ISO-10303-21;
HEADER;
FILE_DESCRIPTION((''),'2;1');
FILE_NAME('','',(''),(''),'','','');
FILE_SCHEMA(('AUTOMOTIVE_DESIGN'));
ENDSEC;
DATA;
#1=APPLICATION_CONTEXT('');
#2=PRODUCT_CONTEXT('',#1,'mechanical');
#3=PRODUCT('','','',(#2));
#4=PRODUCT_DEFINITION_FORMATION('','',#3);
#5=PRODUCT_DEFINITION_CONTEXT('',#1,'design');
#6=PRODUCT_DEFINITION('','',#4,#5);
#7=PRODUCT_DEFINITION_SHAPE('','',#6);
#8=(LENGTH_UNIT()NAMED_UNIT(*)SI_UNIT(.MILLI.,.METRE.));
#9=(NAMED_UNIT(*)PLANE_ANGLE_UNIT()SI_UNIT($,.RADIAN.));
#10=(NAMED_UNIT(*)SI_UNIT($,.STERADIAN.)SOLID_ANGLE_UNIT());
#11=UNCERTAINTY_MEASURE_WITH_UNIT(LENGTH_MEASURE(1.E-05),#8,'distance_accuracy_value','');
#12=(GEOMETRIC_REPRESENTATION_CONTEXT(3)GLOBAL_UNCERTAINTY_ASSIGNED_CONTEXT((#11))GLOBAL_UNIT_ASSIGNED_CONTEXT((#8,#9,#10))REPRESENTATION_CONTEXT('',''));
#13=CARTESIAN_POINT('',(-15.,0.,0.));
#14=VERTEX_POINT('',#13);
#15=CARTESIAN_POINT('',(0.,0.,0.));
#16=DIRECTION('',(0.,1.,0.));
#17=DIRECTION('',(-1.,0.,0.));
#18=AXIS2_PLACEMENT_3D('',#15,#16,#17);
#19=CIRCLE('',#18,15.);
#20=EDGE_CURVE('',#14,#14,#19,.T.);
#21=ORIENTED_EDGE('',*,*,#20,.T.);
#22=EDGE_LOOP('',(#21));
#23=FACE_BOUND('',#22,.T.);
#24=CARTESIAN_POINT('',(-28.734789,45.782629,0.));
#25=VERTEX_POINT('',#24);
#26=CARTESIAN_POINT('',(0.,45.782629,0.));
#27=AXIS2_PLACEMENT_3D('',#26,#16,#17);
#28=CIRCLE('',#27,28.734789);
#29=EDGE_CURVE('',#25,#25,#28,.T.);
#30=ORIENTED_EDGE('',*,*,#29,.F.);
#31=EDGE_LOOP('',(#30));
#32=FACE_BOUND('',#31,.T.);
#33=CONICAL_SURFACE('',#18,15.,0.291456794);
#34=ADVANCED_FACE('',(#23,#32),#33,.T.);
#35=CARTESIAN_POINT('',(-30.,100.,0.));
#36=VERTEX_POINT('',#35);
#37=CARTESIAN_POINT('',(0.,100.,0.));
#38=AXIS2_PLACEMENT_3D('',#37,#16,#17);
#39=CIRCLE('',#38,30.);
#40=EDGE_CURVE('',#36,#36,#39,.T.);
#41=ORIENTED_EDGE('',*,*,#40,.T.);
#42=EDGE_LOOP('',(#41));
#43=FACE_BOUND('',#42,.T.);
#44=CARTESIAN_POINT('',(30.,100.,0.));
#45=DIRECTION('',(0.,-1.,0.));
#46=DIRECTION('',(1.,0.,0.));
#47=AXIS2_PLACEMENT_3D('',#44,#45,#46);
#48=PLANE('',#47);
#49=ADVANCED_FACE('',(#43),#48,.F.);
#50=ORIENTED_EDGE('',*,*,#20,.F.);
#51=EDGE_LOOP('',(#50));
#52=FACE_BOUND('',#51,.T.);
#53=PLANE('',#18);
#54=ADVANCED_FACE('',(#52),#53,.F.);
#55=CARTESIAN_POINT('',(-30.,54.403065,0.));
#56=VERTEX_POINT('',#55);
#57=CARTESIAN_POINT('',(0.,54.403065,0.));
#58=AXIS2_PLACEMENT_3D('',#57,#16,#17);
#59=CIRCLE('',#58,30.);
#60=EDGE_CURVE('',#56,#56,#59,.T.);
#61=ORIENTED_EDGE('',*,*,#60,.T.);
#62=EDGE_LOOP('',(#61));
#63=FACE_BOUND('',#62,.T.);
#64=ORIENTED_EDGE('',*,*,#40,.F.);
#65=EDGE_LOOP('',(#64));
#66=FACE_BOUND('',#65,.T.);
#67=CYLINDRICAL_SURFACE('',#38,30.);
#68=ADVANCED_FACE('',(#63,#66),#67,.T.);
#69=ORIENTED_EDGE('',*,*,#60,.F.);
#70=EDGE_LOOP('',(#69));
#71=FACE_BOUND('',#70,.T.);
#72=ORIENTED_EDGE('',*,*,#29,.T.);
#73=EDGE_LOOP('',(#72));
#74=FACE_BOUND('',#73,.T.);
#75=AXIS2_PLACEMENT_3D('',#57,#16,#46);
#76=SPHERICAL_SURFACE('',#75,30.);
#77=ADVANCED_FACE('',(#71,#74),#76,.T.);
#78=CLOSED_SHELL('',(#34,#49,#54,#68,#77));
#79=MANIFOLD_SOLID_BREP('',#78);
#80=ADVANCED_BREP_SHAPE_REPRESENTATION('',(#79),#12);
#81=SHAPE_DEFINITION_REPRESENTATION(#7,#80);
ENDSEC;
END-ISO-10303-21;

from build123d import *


with BuildPart() as part:
    # Sketch3 → Revolve1 (revolve)
    with BuildSketch(Plane.XY, mode=Mode.PRIVATE) as revolve1_sk:
        with BuildLine():
            Line((0, 100), (0, 0))
            Line((0, 0), (15, 0))
            Line((15, 0), (28.734788557, 45.782628522))
            ThreePointArc((28.734788557, 45.782628522), (29.682011865, 50.046670749), (30, 54.403065089))
            Line((30, 54.403065089), (30, 100))
            Line((30, 100), (0, 100))
        make_face()
    revolve(revolve1_sk.sketch.rotate(Axis((0, 100, 0), (0, -1, 0)), 180), axis=Axis((0, 100, 0), (0, -1, 0)))


solid = part.part
